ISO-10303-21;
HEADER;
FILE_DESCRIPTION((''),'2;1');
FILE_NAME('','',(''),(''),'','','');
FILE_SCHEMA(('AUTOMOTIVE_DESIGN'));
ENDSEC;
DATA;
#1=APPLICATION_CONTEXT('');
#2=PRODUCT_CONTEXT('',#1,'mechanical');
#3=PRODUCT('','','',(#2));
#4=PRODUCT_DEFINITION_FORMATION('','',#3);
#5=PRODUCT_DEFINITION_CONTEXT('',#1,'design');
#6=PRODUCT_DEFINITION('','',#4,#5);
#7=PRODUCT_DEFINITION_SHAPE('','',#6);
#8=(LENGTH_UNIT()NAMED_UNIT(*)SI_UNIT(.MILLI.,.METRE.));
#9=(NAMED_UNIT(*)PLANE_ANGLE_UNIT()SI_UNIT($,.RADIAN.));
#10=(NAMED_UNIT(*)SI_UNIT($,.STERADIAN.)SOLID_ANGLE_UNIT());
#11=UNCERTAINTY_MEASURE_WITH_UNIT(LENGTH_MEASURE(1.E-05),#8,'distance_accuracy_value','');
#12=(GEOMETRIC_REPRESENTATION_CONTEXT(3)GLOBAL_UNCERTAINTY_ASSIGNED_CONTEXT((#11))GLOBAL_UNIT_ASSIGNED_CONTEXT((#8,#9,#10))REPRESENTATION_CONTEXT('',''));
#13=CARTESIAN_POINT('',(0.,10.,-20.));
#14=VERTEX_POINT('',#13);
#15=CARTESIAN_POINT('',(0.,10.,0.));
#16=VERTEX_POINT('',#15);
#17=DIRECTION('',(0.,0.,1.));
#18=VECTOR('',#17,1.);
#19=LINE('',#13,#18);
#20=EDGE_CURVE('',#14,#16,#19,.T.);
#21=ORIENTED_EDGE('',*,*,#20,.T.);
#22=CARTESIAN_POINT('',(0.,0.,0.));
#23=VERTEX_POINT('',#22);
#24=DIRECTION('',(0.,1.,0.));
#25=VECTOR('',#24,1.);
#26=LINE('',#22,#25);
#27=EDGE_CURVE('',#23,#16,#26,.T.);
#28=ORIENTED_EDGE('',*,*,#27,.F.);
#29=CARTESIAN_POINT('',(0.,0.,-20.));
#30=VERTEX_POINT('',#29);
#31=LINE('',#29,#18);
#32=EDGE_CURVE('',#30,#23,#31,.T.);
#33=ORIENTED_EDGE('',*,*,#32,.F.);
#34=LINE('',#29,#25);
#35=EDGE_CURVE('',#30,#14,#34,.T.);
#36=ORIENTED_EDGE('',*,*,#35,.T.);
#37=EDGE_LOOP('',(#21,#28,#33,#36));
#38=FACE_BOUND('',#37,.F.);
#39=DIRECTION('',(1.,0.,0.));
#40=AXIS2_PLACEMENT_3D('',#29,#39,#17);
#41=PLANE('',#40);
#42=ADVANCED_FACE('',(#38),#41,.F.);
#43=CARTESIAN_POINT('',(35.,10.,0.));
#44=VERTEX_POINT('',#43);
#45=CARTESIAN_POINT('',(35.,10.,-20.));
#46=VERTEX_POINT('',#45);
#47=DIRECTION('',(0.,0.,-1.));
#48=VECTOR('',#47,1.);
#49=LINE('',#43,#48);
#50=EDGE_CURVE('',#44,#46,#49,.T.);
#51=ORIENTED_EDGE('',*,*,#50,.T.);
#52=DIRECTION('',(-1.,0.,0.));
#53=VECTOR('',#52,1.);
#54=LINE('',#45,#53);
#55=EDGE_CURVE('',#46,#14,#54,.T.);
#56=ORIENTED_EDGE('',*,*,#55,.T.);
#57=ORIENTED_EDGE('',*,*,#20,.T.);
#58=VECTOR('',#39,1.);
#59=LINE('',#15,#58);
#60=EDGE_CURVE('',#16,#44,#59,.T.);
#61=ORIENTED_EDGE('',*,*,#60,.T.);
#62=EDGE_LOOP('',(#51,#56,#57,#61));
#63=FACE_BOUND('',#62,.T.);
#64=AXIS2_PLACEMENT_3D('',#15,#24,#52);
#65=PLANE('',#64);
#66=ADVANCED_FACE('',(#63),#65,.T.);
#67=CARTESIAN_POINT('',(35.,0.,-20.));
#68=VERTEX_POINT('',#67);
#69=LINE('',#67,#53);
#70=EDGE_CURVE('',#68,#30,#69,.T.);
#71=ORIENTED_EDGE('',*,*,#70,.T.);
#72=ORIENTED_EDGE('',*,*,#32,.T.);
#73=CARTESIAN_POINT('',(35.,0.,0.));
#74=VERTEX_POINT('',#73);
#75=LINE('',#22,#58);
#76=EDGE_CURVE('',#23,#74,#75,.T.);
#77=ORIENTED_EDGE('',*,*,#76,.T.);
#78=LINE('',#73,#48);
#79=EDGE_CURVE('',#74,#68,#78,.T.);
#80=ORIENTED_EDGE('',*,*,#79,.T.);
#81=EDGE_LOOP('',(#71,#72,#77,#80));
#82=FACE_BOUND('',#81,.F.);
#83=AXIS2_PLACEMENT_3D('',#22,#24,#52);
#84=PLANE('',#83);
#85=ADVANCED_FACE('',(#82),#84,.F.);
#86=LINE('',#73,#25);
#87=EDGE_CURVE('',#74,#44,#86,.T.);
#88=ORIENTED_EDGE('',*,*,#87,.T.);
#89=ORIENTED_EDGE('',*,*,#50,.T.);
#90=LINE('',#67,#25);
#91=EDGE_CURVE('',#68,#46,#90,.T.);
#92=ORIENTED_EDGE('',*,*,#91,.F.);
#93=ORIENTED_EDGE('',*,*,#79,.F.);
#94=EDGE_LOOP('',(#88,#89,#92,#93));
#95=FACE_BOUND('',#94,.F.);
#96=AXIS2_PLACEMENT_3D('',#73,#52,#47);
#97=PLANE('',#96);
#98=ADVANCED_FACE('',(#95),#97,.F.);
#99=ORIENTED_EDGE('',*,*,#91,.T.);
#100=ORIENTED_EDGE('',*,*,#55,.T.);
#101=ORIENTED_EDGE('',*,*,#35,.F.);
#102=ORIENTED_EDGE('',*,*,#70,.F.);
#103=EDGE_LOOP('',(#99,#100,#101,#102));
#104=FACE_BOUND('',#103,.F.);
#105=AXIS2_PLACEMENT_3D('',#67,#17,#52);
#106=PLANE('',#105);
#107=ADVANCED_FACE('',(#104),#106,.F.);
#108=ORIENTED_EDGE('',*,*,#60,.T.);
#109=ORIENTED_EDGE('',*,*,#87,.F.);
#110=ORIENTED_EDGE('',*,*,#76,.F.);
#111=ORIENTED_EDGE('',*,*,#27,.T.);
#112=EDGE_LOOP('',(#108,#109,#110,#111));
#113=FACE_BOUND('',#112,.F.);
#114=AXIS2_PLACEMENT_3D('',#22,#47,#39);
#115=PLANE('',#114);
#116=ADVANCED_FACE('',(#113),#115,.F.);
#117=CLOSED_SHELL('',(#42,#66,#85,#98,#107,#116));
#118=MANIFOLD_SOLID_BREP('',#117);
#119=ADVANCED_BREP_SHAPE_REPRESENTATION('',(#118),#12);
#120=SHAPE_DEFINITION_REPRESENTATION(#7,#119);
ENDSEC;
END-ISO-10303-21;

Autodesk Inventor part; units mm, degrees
ref_plane "YZ Plane" through (0, 0, 0) normal (1, 0, 0) x (0, 1, 0)
ref_plane "XZ Plane" through (0, 0, 0) normal (0, 1, 0) x (-1, 0, 0)
ref_plane "XY Plane" through (0, 0, 0) normal (0, 0, 1) x (1, 0, 0)
sketch "Sketch1" plane through (0, 0, 0) normal (0, 1, 0) x (-1, 0, 0)
  line L0 (0, 0) -> (-35, 0)
  line L1 (-35, 0) -> (-35, -20)
  line L2 (-35, -20) -> (0, -20)
  line L3 (0, -20) -> (0, 0)
  dimension "d0" = 35
  dimension "d1" = 20
extrude "Extrusion1" add sketch "Sketch1" along normal blind 10
